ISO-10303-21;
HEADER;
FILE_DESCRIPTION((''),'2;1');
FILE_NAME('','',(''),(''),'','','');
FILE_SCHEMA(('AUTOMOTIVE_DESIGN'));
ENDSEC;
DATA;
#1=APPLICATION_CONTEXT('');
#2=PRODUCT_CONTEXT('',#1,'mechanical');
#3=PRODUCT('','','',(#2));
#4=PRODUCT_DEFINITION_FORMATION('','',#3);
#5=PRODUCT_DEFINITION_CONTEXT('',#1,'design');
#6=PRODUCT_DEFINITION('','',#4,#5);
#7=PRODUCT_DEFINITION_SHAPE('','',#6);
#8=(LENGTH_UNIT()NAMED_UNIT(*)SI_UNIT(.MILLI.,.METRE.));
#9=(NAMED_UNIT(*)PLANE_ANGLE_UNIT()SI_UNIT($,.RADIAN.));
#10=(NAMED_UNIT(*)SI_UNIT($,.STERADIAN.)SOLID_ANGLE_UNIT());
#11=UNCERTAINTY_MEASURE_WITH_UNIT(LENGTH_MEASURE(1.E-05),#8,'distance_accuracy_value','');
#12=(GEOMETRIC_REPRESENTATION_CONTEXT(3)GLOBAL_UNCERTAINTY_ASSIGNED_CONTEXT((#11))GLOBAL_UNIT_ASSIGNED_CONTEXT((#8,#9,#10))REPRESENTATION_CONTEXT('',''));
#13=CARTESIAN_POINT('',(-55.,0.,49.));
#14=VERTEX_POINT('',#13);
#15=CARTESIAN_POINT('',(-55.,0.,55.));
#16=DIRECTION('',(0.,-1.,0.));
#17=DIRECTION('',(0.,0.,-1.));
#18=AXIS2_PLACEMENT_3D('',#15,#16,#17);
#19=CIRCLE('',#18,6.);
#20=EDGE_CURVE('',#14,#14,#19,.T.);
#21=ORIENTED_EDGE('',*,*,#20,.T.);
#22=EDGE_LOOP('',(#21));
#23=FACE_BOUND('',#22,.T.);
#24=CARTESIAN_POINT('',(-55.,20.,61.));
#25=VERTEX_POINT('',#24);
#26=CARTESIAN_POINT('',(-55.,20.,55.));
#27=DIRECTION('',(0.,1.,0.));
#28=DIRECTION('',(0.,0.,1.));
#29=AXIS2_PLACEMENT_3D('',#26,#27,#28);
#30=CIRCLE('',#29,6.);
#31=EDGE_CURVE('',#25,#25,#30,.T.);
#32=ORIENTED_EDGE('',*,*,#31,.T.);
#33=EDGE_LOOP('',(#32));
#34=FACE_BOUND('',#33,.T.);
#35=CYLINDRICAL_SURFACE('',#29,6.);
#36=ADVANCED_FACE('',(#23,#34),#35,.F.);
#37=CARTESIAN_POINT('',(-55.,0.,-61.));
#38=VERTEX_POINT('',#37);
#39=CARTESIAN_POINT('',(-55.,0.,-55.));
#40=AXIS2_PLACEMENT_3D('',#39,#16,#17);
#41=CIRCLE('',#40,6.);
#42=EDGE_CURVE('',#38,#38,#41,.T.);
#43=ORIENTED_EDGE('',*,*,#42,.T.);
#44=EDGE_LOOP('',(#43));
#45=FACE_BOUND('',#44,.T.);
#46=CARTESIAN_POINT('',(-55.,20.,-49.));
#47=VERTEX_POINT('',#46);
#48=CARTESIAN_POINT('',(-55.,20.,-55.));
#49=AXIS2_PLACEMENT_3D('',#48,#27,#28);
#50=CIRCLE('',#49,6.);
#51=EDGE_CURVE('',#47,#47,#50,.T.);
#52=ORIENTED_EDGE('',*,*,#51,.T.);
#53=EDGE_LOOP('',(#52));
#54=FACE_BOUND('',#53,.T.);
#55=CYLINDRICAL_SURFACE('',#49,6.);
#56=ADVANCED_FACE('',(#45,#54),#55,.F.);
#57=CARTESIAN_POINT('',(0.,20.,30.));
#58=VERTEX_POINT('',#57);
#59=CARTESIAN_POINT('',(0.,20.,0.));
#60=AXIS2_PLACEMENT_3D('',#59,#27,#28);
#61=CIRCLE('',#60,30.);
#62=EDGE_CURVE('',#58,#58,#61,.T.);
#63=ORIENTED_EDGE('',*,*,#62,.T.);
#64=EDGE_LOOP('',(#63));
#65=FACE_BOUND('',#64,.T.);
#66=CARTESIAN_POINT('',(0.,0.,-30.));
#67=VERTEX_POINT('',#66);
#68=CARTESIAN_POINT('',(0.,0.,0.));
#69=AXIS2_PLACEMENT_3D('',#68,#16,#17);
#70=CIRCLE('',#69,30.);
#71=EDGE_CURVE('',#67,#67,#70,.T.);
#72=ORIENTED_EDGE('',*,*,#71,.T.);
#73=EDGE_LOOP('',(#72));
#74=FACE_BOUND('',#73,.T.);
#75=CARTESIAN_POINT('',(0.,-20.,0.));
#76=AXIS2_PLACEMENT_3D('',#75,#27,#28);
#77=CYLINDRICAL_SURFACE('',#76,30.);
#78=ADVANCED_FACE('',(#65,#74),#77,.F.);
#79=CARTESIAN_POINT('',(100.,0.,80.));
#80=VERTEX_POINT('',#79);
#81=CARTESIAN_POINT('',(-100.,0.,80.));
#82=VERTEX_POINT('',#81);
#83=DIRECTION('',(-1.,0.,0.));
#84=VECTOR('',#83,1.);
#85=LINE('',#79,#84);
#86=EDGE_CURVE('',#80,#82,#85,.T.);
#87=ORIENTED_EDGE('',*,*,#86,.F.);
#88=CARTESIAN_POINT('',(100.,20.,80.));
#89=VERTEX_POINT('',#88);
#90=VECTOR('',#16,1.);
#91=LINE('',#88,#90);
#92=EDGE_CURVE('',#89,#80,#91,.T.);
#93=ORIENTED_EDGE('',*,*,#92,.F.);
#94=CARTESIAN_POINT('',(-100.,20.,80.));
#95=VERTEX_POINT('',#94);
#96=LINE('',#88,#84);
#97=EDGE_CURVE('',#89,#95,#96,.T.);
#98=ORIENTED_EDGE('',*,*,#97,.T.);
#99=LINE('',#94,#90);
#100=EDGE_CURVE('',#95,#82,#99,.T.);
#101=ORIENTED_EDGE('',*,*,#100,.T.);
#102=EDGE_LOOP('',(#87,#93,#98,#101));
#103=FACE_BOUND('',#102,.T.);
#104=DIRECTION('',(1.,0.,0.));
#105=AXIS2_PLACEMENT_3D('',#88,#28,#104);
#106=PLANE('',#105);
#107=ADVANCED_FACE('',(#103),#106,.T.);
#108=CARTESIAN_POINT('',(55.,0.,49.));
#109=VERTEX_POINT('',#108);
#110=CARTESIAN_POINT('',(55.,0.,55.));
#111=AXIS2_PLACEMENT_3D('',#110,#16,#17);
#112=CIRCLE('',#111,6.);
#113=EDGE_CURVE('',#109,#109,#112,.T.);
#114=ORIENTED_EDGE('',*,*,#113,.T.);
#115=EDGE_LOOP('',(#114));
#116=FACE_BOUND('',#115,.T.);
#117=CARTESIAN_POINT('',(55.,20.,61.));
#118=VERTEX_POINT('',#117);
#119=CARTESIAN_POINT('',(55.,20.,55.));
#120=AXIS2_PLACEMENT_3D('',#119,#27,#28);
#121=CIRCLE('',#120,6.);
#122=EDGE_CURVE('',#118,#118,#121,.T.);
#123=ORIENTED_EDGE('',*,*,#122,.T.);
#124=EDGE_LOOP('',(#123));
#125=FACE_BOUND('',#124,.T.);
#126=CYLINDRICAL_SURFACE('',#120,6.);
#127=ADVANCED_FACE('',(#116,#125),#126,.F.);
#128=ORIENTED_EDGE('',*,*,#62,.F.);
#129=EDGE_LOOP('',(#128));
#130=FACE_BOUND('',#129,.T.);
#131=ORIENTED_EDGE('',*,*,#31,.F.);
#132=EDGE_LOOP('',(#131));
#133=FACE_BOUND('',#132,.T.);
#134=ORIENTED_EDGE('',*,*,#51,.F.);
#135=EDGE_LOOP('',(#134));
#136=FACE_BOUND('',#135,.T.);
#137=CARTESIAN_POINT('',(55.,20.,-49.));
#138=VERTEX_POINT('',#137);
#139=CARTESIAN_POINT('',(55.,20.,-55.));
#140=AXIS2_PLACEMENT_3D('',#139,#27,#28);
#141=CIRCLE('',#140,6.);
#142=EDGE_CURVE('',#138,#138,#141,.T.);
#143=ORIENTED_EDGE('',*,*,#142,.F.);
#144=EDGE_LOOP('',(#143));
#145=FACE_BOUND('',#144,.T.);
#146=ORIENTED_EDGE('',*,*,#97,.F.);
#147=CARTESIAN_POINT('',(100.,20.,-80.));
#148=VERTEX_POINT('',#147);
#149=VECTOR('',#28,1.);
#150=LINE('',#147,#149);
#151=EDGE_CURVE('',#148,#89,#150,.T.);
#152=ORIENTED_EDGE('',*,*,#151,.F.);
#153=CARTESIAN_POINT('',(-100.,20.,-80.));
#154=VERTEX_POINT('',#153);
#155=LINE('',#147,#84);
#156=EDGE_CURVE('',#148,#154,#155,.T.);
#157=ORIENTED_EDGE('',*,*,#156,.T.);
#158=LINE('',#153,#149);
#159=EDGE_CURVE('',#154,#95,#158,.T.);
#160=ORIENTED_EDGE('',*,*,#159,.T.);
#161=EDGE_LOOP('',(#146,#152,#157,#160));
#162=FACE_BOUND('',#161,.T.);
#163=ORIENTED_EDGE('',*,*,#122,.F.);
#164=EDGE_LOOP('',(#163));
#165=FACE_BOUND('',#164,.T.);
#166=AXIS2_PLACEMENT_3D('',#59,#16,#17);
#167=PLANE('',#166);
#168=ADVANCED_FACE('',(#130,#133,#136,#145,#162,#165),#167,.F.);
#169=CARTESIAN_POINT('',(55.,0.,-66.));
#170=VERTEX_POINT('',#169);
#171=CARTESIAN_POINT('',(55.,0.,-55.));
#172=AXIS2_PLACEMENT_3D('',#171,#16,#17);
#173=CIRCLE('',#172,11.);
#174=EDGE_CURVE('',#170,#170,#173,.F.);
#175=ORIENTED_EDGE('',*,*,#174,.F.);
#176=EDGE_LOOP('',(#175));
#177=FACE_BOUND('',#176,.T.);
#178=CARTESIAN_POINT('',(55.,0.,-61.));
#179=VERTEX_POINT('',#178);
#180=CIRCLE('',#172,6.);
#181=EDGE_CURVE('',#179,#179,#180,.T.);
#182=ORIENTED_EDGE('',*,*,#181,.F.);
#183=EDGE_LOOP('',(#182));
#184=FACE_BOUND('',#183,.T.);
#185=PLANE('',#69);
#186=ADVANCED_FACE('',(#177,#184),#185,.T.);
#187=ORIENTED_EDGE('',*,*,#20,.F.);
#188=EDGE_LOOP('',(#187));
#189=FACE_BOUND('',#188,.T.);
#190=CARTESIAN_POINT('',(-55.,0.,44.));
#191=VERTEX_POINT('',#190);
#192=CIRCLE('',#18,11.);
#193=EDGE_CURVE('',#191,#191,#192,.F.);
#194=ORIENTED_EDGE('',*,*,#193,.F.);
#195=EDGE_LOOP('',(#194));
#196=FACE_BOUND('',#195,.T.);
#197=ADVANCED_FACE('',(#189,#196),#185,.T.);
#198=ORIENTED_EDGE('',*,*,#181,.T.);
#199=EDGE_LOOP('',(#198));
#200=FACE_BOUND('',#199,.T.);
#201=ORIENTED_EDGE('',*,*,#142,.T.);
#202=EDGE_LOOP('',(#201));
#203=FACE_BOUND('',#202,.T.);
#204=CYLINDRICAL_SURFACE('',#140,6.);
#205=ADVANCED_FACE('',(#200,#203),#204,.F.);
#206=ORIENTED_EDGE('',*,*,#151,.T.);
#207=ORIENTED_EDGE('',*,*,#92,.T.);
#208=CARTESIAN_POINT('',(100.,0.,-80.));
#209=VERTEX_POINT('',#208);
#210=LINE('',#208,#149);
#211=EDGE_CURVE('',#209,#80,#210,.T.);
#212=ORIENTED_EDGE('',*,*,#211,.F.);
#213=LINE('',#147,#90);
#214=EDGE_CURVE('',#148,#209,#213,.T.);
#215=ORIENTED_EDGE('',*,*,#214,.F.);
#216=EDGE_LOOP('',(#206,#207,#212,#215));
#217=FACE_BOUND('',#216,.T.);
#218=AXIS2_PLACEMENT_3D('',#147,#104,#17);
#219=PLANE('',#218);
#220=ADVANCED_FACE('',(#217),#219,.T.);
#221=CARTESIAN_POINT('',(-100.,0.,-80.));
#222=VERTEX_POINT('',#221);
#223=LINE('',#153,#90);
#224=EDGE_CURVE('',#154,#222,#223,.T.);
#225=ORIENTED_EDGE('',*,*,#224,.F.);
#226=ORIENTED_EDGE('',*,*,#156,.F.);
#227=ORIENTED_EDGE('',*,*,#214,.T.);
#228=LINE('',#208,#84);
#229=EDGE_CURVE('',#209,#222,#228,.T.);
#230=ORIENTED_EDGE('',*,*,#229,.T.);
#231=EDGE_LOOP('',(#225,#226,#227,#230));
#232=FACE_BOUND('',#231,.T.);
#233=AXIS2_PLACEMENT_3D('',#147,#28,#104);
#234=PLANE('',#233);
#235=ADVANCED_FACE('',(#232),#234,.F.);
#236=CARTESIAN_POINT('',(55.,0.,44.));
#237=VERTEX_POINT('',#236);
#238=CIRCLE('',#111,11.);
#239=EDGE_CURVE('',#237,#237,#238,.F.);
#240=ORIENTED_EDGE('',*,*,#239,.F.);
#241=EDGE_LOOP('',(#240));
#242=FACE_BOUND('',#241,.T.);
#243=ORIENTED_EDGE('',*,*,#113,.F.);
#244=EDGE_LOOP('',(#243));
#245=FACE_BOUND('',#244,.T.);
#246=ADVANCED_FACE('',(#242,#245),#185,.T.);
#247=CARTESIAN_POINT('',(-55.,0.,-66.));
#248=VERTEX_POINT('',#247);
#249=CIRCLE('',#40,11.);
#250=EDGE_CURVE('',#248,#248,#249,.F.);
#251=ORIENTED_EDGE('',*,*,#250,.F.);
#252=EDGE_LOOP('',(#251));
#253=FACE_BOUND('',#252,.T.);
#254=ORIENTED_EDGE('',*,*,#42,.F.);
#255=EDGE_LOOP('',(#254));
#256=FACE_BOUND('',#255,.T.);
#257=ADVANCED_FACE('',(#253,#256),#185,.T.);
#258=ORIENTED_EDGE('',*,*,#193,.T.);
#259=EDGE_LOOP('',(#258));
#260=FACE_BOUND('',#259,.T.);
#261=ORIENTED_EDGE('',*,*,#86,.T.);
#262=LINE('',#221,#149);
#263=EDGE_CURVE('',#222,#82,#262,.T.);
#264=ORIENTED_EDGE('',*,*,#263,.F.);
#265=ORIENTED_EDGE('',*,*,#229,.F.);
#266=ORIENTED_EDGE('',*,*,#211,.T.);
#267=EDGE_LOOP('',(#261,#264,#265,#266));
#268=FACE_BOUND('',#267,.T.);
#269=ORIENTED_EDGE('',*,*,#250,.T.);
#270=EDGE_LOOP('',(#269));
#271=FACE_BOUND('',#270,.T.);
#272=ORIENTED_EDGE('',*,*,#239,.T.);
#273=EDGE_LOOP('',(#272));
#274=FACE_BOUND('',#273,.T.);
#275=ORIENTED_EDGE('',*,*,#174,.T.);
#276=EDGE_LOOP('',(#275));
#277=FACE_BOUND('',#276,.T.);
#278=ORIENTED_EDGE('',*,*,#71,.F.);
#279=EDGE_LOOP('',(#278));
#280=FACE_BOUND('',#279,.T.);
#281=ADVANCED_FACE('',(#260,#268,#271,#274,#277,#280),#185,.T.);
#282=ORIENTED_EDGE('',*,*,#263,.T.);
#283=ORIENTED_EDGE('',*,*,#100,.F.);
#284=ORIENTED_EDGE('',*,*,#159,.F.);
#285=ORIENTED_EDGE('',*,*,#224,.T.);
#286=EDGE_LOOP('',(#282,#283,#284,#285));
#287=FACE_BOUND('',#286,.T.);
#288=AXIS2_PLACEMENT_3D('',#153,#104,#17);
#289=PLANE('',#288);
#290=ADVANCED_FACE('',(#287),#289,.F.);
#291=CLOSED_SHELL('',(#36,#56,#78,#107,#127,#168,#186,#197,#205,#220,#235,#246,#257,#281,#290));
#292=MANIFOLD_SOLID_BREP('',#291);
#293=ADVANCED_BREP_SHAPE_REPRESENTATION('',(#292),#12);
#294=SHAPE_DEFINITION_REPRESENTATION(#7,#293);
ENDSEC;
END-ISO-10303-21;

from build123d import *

# Parameters (mm, degrees)
SKETCH1_W                  = 200
SKETCH1_H                  = 160
BASE_DEPTH                 = 20
SKETCH2_R                  = 30
ACTUATOR_CUT_DEPTH         = 40
F_12_0MM_DOWEL_HOLE1_D     = 12
F_12_0MM_DOWEL_HOLE1_DEPTH = 20


with BuildPart() as part:
    # Sketch1 → base (new body)
    with BuildSketch(Plane(origin=(0, 0, 0), x_dir=(1, 0, 0), z_dir=(0, 1, 0))):
        Rectangle(SKETCH1_W, SKETCH1_H)
    extrude(amount=BASE_DEPTH)

    # Sketch2 → actuator cut (cut)
    with BuildSketch(Plane(origin=(0, 20, 0), x_dir=(1, 0, 0), z_dir=(0, 1, 0))):
        Circle(SKETCH2_R)
    extrude(amount=-ACTUATOR_CUT_DEPTH, mode=Mode.SUBTRACT)

    # Ø12.0mm Dowel Hole1
    with Locations(Plane(origin=(55, 20, -55), x_dir=(0, 0, 1), z_dir=(0, 1, 0))):
        with Locations((0, 0), (0, -110), (110, -110), (110, 0)):
            Hole(F_12_0MM_DOWEL_HOLE1_D / 2, depth=F_12_0MM_DOWEL_HOLE1_DEPTH)


solid = part.part
